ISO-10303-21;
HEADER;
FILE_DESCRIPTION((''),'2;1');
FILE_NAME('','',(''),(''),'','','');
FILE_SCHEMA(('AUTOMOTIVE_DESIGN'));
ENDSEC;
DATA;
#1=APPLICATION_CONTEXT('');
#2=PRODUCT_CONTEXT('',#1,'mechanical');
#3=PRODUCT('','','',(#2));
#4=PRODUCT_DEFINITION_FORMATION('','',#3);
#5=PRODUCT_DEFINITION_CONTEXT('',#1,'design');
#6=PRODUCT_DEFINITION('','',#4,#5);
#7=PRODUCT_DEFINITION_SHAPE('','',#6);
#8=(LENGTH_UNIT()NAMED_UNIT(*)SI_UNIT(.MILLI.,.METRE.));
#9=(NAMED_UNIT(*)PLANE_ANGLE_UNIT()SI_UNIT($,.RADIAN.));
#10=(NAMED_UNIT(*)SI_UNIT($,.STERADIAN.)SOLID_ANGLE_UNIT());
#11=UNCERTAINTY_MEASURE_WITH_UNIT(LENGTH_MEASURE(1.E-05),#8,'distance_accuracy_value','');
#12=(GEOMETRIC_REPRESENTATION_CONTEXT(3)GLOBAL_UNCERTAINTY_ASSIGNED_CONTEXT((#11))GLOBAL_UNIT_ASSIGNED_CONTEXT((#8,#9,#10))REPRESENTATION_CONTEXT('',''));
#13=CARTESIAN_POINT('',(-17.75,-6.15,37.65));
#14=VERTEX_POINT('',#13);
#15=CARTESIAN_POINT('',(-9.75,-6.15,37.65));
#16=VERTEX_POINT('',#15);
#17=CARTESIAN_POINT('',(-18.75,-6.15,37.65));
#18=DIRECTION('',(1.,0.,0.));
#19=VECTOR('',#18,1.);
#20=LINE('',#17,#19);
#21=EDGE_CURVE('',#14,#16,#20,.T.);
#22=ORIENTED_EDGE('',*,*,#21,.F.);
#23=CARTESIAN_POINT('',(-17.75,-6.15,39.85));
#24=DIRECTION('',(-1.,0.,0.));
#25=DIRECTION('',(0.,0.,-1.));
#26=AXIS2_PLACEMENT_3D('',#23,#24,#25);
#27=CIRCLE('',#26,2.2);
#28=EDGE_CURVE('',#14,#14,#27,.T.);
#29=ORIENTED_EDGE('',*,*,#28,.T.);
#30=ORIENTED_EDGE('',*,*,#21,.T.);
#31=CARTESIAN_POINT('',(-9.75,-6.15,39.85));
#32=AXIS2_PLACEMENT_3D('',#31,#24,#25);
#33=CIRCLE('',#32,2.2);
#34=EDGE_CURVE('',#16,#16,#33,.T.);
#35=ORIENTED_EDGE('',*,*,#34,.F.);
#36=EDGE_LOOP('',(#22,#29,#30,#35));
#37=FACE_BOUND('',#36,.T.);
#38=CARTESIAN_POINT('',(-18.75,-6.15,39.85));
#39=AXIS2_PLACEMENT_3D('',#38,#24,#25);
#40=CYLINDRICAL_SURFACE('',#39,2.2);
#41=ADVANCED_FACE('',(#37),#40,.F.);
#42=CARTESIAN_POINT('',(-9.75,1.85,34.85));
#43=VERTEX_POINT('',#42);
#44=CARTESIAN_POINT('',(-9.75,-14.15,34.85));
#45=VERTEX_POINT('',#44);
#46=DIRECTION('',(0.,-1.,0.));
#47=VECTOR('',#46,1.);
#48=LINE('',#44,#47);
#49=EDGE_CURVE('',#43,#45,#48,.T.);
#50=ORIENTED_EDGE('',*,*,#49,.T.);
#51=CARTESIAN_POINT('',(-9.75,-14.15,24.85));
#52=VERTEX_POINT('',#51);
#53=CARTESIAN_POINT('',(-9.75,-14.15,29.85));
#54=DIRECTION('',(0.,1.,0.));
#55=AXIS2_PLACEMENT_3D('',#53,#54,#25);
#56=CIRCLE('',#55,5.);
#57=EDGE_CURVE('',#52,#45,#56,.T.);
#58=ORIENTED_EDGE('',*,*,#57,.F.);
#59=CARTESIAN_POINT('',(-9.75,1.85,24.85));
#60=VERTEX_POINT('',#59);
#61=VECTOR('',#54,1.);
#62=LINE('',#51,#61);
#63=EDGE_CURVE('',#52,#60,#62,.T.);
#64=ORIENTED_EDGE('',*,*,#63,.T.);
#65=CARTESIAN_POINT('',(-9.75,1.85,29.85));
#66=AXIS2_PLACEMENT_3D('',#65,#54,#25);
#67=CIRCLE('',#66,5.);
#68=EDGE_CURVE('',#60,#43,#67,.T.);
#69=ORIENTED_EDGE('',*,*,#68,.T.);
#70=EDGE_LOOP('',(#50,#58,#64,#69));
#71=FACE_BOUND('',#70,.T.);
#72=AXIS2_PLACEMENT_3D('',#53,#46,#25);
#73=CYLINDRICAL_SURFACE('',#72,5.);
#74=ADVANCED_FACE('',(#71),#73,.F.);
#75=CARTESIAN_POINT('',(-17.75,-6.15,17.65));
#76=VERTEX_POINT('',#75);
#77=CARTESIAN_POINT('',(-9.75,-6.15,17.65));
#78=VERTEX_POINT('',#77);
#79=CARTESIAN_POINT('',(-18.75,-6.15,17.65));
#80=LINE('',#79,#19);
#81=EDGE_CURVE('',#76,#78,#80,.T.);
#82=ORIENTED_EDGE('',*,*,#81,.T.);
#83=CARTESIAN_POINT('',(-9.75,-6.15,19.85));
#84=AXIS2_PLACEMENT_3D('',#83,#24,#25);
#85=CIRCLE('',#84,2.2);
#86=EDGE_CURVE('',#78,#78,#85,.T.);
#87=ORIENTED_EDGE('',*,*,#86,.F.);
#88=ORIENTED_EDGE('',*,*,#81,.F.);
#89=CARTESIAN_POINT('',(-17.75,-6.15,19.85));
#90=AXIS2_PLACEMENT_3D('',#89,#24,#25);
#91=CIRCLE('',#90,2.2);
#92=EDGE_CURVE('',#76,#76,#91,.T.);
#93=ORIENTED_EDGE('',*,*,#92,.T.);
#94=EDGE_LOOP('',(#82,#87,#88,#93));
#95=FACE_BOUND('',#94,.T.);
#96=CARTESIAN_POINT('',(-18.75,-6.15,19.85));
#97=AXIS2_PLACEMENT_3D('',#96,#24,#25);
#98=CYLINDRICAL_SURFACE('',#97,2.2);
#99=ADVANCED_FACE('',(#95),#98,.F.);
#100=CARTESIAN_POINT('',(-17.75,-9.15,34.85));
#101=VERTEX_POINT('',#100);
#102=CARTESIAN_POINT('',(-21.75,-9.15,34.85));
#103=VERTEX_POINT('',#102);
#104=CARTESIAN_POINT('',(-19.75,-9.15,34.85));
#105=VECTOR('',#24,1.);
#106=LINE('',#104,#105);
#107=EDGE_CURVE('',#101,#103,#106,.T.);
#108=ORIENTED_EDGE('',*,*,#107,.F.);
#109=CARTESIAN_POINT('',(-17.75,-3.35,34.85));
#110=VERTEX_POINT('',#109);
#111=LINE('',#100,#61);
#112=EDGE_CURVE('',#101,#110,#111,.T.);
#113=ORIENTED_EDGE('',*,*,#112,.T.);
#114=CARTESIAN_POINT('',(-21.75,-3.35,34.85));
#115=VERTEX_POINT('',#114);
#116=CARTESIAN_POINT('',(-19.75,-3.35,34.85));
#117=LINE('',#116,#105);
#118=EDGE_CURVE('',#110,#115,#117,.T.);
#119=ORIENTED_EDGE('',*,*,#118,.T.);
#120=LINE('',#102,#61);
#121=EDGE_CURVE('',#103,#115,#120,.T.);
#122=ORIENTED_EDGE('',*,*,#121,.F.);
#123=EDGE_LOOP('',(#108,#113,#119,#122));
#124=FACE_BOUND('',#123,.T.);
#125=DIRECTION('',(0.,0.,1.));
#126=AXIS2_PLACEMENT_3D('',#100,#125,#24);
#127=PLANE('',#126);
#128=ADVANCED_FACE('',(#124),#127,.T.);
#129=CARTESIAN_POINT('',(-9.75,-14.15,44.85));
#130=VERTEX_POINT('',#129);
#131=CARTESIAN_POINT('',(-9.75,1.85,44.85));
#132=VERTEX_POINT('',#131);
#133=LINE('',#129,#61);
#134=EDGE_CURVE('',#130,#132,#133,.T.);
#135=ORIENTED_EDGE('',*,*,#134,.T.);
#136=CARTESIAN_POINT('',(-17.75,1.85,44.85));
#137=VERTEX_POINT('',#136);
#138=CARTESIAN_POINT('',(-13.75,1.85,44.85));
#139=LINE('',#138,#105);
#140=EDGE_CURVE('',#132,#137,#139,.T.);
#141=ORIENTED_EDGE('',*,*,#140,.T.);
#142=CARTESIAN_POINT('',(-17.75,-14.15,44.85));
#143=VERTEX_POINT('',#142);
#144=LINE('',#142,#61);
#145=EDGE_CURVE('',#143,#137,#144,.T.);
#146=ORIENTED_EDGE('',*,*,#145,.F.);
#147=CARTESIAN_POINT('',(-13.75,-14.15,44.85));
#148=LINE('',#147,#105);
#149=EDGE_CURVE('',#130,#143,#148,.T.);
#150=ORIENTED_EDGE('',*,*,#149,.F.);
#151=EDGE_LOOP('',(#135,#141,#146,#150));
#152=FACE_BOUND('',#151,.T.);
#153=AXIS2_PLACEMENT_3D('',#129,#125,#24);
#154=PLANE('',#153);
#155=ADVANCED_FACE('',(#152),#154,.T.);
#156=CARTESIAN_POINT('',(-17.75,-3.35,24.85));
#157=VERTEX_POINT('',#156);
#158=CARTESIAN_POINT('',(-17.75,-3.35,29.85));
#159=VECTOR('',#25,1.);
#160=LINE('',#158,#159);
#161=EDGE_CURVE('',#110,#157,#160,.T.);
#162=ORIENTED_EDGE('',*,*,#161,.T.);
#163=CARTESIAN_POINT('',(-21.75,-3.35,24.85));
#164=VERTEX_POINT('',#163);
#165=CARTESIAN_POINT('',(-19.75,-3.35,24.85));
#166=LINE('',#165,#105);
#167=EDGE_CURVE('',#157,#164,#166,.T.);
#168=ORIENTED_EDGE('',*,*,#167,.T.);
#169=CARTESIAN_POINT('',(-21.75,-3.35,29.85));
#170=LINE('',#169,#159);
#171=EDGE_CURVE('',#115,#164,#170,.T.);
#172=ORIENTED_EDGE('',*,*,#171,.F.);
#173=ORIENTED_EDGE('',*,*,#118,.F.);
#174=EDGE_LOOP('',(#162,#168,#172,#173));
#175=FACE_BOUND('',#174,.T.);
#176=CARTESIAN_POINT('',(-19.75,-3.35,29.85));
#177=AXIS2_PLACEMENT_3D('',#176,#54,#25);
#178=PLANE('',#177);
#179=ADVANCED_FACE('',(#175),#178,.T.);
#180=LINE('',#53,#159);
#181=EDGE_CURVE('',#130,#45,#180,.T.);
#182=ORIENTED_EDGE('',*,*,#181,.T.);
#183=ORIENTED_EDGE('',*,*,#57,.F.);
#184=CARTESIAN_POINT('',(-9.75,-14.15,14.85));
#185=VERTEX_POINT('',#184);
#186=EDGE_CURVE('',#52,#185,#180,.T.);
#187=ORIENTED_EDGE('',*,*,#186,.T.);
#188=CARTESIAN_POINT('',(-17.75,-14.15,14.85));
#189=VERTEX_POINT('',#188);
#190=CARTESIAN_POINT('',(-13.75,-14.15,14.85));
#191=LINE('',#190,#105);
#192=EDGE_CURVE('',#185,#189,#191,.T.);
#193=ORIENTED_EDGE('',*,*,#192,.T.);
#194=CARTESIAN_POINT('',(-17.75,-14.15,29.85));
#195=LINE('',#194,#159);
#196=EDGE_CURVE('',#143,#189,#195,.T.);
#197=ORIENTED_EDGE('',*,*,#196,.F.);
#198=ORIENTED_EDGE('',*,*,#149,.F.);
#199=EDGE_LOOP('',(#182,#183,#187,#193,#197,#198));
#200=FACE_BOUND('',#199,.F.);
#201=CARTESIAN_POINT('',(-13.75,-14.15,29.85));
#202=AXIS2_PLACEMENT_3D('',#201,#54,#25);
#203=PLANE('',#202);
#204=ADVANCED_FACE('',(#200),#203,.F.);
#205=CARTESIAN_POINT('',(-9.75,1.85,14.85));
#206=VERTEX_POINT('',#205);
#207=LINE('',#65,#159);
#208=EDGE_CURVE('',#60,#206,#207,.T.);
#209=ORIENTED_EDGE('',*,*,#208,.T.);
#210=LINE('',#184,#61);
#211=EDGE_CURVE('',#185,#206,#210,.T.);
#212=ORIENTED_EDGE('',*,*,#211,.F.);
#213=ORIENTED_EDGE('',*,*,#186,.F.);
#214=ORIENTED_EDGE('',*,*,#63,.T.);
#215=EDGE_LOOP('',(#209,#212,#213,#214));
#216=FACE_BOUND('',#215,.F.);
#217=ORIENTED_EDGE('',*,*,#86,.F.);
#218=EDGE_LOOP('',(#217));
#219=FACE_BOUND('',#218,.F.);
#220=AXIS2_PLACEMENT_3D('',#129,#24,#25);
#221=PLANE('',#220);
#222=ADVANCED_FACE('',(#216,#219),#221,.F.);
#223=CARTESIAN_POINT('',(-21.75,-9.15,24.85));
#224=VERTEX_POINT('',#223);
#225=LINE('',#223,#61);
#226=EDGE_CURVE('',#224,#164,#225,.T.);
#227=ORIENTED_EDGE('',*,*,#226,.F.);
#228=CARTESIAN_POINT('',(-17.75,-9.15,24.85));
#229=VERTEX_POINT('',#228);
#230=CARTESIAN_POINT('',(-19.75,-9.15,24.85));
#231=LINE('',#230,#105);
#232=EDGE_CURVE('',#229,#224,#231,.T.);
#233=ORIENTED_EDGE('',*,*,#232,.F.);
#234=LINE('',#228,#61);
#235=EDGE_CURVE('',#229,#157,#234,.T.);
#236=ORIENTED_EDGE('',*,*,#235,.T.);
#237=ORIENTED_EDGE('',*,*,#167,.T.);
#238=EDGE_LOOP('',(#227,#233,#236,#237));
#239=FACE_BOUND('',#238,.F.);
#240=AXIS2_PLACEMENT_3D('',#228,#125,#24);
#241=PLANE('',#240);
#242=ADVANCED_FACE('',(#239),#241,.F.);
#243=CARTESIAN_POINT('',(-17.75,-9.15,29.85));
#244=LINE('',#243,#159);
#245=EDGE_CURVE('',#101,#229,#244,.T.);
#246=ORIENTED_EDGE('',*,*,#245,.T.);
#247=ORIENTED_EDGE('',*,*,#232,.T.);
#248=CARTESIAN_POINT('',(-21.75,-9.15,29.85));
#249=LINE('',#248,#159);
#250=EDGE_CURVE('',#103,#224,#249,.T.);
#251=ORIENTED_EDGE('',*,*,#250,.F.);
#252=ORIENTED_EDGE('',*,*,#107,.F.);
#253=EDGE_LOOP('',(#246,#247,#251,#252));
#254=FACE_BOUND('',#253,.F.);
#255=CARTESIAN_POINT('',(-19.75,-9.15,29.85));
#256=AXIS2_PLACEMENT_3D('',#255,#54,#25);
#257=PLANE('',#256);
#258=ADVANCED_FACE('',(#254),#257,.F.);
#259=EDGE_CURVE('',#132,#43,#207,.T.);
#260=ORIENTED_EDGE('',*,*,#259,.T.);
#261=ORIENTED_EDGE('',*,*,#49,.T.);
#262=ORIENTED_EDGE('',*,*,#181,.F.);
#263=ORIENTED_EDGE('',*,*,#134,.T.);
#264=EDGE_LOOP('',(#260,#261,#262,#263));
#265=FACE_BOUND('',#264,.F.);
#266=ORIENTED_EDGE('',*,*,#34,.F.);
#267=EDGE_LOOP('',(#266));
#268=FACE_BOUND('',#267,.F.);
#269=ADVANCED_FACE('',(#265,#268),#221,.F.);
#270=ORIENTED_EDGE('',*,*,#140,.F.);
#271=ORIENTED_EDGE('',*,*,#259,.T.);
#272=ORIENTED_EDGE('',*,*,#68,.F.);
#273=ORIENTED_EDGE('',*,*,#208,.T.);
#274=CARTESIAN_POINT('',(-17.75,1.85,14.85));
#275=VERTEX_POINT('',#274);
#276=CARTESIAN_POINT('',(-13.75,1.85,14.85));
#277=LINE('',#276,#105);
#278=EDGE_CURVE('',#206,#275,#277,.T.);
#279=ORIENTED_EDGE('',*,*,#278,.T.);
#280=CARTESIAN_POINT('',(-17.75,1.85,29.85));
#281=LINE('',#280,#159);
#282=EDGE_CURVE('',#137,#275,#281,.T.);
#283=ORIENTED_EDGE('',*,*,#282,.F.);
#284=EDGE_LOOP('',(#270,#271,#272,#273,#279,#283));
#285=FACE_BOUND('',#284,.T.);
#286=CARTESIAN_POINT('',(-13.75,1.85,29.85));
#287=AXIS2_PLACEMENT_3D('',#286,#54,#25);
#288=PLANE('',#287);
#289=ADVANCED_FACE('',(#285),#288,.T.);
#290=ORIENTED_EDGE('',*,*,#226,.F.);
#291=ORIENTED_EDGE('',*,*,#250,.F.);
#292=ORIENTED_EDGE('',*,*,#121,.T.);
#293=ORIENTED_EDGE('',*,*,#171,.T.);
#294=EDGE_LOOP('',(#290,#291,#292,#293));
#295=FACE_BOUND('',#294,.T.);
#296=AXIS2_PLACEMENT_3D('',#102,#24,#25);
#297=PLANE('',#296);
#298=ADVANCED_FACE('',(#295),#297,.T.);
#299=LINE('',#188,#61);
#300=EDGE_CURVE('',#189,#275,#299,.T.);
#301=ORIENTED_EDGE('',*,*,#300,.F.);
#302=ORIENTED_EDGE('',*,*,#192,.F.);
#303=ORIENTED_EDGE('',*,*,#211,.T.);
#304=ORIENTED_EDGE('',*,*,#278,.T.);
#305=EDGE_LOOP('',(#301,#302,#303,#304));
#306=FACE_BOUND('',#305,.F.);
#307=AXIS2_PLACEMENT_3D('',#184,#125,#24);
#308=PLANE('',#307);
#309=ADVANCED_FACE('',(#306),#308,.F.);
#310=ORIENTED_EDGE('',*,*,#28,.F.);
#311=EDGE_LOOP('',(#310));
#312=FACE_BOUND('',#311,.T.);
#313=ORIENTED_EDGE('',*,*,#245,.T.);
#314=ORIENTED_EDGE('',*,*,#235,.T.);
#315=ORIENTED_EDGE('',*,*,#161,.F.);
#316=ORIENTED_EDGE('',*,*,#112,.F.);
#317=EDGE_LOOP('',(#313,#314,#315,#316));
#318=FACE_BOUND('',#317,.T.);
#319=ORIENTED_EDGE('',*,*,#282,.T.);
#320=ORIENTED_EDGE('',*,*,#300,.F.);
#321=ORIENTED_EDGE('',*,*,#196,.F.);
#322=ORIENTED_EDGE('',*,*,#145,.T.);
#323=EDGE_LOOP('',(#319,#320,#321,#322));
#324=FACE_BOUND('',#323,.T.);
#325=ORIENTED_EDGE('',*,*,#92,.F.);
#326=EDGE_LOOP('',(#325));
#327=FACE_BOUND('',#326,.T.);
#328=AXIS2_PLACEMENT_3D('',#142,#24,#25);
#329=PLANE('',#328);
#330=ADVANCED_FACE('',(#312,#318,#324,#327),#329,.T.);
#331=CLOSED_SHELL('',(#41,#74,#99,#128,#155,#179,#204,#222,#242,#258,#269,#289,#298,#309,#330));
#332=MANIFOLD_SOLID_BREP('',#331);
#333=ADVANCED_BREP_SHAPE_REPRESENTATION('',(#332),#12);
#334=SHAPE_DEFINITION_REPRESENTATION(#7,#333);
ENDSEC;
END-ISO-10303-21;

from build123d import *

# Parameters (mm, degrees)
BOX053_W                  = 10
BOX053_H                  = 4
BOX053_DEPTH              = 5.8
CYLINDER066_R             = 2.2
CYLINDER066_DEPTH         = 20
CYLINDER067_R             = 2.2
CYLINDER067_DEPTH         = 20
CYLINDER064_R             = 5
CYLINDER064_DEPTH         = 16
BOX051_W                  = 30
BOX051_H                  = 8
BOX051_DEPTH              = 16
FUSION036_PITCH_ANGLE     = 90
FUSION036_PLACEMENT_ANGLE = 90


with BuildPart() as quader032:
    # Box053 → Box053 (new body)
    with BuildSketch(Plane(origin=(-5, 8, 5), x_dir=(1, 0, 0), z_dir=(0, 0, 1))):
        with Locations((5, 2)):
            Rectangle(BOX053_W, BOX053_H)
    extrude(amount=BOX053_DEPTH)


with BuildPart() as zylinder055:
    # Cylinder066 → Cylinder066 (new body)
    with BuildSketch(Plane(origin=(-10, 9, 8), x_dir=(1, 0, 0), z_dir=(0, -1, 0))):
        Circle(CYLINDER066_R)
    extrude(amount=CYLINDER066_DEPTH)


with BuildPart() as zylinder056:
    # Cylinder067 → Cylinder067 (new body)
    with BuildSketch(Plane(origin=(10, 9, 8), x_dir=(1, 0, 0), z_dir=(0, -1, 0))):
        Circle(CYLINDER067_R)
    extrude(amount=CYLINDER067_DEPTH)


with BuildPart() as zylinder053:
    # Cylinder064 → Cylinder064 (new body)
    with BuildSketch(Plane.XY):
        Circle(CYLINDER064_R)
    extrude(amount=CYLINDER064_DEPTH)


with BuildPart() as y_mount_bottom:
    # Box051 → Box051 (new body)
    with BuildSketch(Plane(origin=(-15, 0, 0), x_dir=(1, 0, 0), z_dir=(0, 0, 1))):
        with Locations((15, 4)):
            Rectangle(BOX051_W, BOX051_H)
    extrude(amount=BOX051_DEPTH)

    # Cut071: cut Zylinder053
    add(zylinder053.part, mode=Mode.SUBTRACT)

    # Cut073: cut Zylinder056
    add(zylinder056.part, mode=Mode.SUBTRACT)

    # Cut074: cut Zylinder055
    add(zylinder055.part, mode=Mode.SUBTRACT)

    # Fusion036: union Quader032
    add(quader032.part)


with BuildPart() as y_mount_bottom_1:
    # Fusion036 pitch: moved
    add(y_mount_bottom.part.rotate(Axis((0, 0, 0), (0, 1, 0)), FUSION036_PITCH_ANGLE))


with BuildPart() as y_mount_bottom_2:
    # Fusion036 placement: moved
    add(y_mount_bottom_1.part.moved(Location((-9.75, -14.15, 29.85))).rotate(Axis((-9.75, -14.15, 29.85), (0, 0, 1)), FUSION036_PLACEMENT_ANGLE))


solid = y_mount_bottom_2.part
